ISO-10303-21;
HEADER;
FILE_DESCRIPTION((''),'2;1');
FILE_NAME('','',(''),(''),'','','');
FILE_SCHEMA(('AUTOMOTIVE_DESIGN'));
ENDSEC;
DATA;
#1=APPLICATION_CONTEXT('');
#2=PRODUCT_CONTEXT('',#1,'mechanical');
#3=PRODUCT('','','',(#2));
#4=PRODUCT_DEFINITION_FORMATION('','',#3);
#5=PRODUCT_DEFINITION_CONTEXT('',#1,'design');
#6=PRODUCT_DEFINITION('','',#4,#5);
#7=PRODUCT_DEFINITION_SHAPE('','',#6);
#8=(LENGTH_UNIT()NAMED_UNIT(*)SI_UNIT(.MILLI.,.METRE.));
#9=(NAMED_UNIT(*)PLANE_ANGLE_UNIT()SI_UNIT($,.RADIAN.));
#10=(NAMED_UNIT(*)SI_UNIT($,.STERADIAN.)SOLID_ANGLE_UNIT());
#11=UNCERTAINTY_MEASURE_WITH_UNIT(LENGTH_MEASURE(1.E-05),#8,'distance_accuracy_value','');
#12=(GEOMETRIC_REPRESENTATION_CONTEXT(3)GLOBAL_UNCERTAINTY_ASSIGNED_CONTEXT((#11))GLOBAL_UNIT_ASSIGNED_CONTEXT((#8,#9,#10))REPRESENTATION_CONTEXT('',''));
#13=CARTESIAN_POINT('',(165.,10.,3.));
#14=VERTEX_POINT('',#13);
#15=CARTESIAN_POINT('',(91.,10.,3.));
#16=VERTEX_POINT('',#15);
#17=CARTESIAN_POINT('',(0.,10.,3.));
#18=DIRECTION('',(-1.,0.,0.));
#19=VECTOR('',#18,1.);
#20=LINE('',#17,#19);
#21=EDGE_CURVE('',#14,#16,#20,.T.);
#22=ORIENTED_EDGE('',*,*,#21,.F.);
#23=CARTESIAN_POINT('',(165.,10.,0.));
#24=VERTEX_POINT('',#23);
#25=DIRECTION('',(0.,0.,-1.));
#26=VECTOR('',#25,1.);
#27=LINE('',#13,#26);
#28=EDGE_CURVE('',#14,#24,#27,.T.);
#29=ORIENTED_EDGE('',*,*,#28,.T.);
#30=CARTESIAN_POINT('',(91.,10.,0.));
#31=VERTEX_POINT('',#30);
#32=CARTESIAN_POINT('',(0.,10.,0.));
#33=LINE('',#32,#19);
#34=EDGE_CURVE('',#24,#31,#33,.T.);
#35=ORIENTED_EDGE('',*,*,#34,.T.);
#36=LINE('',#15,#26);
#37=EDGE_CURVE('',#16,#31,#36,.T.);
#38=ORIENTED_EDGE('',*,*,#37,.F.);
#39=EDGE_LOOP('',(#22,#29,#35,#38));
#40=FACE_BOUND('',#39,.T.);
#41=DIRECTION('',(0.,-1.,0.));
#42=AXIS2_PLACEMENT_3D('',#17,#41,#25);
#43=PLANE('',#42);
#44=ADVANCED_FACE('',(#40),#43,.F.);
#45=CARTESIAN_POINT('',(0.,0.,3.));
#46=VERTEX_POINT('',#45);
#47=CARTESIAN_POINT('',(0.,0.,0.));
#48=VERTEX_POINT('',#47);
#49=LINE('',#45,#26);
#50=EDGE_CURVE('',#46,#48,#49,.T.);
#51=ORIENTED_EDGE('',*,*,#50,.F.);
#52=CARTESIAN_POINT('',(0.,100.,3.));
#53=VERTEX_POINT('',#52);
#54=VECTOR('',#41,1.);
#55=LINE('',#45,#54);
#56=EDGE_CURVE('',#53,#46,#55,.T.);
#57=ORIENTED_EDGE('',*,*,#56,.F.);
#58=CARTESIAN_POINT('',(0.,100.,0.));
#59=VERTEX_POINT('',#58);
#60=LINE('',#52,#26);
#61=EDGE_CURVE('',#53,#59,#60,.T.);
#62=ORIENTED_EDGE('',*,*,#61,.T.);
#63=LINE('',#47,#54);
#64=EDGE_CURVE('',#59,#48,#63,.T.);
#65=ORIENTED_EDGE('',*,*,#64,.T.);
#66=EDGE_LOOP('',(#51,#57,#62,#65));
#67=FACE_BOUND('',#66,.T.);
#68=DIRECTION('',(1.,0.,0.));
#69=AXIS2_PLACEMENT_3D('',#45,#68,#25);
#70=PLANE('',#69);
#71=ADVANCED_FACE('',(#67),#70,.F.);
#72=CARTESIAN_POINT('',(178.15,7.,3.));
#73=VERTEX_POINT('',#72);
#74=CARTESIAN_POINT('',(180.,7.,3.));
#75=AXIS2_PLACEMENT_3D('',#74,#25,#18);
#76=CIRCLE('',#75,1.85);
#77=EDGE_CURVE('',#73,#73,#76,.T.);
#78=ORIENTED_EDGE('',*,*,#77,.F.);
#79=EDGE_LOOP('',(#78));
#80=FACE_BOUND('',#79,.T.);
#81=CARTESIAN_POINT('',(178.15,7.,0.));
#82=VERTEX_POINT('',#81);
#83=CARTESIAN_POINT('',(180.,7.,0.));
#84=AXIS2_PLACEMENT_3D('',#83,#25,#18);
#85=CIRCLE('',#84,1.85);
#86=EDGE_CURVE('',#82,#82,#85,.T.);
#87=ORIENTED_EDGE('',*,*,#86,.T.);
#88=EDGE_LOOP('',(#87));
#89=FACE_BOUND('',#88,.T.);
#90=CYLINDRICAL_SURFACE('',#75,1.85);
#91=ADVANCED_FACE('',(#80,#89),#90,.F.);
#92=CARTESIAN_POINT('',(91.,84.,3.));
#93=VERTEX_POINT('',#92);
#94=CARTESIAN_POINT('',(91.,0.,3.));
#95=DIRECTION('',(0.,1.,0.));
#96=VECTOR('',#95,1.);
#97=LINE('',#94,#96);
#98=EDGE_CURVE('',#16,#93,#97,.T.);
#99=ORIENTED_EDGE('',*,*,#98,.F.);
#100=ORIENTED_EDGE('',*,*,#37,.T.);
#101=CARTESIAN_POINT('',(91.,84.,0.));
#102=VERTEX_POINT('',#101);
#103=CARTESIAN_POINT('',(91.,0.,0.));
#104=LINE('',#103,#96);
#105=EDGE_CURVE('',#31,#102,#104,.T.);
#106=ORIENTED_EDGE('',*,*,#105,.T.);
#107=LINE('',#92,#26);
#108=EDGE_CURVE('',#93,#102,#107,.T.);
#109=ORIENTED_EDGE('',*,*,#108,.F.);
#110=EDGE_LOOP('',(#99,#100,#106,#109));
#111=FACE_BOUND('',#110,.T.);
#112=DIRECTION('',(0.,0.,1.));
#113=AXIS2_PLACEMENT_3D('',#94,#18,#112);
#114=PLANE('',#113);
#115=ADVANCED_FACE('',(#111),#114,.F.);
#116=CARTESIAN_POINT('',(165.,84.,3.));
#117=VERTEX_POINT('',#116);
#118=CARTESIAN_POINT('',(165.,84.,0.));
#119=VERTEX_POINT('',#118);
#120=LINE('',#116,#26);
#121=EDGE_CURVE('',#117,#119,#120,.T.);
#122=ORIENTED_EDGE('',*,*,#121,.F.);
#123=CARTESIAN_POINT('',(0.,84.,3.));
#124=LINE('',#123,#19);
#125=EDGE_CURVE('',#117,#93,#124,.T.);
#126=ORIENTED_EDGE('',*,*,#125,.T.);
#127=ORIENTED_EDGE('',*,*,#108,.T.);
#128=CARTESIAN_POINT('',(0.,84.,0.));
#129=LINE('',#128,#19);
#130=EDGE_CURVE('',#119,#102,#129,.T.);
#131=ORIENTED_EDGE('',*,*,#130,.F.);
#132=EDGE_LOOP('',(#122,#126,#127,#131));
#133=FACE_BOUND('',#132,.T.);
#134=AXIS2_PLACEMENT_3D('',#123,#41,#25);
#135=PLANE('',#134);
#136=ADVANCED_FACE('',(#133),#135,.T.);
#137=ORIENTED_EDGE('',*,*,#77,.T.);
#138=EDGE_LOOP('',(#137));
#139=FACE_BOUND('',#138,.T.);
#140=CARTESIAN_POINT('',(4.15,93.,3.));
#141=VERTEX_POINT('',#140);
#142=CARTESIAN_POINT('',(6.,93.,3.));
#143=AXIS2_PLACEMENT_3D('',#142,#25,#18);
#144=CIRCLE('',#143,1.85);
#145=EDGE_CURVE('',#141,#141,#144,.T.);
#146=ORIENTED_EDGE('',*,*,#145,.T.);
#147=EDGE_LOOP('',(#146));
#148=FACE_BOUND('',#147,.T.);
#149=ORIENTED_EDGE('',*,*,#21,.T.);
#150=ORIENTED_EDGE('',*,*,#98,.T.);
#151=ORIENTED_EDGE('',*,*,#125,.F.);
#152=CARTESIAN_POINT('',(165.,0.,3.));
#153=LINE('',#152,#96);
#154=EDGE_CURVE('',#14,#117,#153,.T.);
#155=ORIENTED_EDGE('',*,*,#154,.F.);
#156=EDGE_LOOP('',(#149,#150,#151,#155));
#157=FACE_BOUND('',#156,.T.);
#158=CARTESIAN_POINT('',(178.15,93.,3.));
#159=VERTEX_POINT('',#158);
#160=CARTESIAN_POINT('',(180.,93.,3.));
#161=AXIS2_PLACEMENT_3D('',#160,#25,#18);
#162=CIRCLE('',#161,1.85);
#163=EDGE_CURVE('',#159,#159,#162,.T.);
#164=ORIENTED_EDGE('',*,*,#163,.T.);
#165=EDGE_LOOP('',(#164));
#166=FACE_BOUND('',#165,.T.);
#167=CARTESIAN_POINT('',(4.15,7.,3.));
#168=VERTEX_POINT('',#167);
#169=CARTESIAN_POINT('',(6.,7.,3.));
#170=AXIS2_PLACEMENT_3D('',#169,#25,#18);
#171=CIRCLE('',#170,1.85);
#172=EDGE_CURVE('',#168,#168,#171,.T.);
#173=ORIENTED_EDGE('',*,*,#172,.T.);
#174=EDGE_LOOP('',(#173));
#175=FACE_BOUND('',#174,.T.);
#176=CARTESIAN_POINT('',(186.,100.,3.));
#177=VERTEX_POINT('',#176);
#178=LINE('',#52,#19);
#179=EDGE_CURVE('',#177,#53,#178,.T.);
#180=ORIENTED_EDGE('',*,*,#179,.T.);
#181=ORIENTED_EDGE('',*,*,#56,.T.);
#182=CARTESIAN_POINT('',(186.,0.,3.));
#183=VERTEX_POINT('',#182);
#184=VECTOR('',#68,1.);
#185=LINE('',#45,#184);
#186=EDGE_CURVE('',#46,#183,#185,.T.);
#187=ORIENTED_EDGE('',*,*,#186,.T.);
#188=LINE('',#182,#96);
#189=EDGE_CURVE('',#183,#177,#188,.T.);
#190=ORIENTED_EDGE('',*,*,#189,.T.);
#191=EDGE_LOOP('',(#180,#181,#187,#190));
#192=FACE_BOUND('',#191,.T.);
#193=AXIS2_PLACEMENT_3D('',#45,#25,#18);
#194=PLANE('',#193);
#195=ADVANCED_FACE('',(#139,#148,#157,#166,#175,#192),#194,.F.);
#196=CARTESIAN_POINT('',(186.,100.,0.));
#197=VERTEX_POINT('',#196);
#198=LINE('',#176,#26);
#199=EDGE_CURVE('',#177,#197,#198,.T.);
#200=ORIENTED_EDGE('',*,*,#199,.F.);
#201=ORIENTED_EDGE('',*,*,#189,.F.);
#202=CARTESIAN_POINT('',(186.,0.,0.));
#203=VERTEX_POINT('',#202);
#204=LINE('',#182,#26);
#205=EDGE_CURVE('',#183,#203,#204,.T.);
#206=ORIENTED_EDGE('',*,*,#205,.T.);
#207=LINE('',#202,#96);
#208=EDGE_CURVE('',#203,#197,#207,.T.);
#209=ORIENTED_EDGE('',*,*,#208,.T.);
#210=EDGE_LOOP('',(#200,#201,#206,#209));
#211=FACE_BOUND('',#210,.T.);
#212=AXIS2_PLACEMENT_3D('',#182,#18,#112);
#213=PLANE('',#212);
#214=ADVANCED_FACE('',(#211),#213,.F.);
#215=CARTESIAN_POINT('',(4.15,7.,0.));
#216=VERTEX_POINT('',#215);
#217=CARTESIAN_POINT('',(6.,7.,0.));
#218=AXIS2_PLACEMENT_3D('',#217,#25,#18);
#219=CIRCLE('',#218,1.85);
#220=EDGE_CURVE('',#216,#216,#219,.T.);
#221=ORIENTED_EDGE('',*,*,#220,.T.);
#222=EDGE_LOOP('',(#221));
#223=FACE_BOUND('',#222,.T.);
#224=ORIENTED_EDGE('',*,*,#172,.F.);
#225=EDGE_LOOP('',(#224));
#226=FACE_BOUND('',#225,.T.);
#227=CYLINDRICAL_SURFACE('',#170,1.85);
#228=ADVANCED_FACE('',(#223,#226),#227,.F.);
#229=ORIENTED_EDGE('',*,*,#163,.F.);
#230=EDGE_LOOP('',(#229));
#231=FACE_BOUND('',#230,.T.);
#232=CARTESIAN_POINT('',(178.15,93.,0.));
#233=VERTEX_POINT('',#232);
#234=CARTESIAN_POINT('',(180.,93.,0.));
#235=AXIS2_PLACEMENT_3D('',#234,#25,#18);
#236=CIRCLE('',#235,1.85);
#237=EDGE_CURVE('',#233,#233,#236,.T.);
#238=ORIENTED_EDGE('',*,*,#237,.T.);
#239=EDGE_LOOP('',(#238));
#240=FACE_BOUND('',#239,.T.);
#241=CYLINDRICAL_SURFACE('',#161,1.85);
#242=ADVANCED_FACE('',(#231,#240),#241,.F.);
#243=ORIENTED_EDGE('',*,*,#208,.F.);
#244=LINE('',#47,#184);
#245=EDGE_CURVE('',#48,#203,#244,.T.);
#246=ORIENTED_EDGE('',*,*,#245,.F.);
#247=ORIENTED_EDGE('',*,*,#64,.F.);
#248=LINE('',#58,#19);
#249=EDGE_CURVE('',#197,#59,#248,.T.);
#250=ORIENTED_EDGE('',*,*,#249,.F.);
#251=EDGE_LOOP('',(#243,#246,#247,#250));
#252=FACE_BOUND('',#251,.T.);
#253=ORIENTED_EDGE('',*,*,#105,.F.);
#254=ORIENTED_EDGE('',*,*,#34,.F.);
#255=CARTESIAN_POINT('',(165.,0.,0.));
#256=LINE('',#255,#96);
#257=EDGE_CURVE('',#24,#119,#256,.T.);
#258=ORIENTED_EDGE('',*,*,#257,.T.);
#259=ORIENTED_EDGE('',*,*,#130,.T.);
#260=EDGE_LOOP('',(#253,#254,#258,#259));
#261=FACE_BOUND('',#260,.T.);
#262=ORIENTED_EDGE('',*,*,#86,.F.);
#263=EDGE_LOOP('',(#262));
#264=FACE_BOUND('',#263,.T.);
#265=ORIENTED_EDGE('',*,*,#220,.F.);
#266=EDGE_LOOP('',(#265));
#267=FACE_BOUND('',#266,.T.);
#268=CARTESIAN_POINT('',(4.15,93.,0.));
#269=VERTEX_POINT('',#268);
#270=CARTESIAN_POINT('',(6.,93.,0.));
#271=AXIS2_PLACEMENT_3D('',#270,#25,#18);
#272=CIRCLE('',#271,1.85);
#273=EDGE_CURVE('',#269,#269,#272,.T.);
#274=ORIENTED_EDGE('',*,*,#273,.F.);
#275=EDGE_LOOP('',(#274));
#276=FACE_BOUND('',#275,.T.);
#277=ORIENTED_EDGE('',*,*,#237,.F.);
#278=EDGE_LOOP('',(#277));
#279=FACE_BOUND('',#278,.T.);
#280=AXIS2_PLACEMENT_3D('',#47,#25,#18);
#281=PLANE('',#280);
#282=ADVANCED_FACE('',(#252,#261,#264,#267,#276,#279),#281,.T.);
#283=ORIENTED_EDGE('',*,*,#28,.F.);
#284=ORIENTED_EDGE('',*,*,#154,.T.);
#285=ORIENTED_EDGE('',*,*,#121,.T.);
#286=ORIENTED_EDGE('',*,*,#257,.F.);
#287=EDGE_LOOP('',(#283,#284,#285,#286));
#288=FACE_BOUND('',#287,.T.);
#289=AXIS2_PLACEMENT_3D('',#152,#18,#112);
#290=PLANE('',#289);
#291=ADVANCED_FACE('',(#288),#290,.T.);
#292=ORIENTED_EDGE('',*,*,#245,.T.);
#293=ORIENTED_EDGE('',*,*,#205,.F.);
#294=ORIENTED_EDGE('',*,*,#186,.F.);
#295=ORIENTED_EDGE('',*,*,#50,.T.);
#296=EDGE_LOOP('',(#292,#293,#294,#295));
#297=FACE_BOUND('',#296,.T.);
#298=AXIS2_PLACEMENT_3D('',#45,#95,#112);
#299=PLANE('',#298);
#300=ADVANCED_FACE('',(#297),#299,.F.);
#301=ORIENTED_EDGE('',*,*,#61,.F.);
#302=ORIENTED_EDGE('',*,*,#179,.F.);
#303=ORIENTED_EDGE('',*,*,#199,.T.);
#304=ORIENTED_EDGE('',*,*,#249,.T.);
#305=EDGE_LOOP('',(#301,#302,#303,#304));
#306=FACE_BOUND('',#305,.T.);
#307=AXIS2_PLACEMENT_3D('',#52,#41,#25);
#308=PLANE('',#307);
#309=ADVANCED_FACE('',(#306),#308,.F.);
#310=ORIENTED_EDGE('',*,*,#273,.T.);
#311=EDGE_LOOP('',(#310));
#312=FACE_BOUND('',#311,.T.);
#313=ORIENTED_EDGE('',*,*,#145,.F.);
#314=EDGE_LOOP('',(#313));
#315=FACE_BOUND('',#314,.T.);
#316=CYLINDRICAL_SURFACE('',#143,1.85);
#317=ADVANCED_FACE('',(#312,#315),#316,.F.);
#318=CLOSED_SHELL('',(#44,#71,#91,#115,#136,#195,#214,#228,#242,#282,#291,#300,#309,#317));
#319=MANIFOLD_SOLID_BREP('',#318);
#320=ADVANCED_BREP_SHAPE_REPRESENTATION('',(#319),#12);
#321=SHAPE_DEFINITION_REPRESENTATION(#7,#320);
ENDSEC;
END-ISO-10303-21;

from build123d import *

# Parameters (mm, degrees)
SKETCH1_W           = 186
SKETCH1_H           = 100
BOSS_EXTRUDE1_DEPTH = 3
SKETCH2_W           = 74
SKETCH2_H           = 74
SKETCH2_R           = 1.85
CUT_EXTRUDE1_DEPTH  = 4


with BuildPart() as part:
    # Sketch1 → Boss-Extrude1 (new body)
    with BuildSketch(Plane.XY):
        with Locations((93, 50)):
            Rectangle(SKETCH1_W, SKETCH1_H)
    extrude(amount=BOSS_EXTRUDE1_DEPTH)

    # Sketch2 → Cut-Extrude1 (cut, through all)
    with BuildSketch(Plane(origin=(0, 0, 0), x_dir=(-1, 0, 0), z_dir=(0, 0, -1))):
        with Locations((-128, 47)):
            Rectangle(SKETCH2_W, SKETCH2_H)
        with Locations((-180, 7)):
            Circle(SKETCH2_R)
        with Locations((-180, 93)):
            Circle(SKETCH2_R)
        with Locations((-6, 7)):
            Circle(SKETCH2_R)
        with Locations((-6, 93)):
            Circle(SKETCH2_R)
    extrude(amount=-CUT_EXTRUDE1_DEPTH, mode=Mode.SUBTRACT)


solid = part.part
